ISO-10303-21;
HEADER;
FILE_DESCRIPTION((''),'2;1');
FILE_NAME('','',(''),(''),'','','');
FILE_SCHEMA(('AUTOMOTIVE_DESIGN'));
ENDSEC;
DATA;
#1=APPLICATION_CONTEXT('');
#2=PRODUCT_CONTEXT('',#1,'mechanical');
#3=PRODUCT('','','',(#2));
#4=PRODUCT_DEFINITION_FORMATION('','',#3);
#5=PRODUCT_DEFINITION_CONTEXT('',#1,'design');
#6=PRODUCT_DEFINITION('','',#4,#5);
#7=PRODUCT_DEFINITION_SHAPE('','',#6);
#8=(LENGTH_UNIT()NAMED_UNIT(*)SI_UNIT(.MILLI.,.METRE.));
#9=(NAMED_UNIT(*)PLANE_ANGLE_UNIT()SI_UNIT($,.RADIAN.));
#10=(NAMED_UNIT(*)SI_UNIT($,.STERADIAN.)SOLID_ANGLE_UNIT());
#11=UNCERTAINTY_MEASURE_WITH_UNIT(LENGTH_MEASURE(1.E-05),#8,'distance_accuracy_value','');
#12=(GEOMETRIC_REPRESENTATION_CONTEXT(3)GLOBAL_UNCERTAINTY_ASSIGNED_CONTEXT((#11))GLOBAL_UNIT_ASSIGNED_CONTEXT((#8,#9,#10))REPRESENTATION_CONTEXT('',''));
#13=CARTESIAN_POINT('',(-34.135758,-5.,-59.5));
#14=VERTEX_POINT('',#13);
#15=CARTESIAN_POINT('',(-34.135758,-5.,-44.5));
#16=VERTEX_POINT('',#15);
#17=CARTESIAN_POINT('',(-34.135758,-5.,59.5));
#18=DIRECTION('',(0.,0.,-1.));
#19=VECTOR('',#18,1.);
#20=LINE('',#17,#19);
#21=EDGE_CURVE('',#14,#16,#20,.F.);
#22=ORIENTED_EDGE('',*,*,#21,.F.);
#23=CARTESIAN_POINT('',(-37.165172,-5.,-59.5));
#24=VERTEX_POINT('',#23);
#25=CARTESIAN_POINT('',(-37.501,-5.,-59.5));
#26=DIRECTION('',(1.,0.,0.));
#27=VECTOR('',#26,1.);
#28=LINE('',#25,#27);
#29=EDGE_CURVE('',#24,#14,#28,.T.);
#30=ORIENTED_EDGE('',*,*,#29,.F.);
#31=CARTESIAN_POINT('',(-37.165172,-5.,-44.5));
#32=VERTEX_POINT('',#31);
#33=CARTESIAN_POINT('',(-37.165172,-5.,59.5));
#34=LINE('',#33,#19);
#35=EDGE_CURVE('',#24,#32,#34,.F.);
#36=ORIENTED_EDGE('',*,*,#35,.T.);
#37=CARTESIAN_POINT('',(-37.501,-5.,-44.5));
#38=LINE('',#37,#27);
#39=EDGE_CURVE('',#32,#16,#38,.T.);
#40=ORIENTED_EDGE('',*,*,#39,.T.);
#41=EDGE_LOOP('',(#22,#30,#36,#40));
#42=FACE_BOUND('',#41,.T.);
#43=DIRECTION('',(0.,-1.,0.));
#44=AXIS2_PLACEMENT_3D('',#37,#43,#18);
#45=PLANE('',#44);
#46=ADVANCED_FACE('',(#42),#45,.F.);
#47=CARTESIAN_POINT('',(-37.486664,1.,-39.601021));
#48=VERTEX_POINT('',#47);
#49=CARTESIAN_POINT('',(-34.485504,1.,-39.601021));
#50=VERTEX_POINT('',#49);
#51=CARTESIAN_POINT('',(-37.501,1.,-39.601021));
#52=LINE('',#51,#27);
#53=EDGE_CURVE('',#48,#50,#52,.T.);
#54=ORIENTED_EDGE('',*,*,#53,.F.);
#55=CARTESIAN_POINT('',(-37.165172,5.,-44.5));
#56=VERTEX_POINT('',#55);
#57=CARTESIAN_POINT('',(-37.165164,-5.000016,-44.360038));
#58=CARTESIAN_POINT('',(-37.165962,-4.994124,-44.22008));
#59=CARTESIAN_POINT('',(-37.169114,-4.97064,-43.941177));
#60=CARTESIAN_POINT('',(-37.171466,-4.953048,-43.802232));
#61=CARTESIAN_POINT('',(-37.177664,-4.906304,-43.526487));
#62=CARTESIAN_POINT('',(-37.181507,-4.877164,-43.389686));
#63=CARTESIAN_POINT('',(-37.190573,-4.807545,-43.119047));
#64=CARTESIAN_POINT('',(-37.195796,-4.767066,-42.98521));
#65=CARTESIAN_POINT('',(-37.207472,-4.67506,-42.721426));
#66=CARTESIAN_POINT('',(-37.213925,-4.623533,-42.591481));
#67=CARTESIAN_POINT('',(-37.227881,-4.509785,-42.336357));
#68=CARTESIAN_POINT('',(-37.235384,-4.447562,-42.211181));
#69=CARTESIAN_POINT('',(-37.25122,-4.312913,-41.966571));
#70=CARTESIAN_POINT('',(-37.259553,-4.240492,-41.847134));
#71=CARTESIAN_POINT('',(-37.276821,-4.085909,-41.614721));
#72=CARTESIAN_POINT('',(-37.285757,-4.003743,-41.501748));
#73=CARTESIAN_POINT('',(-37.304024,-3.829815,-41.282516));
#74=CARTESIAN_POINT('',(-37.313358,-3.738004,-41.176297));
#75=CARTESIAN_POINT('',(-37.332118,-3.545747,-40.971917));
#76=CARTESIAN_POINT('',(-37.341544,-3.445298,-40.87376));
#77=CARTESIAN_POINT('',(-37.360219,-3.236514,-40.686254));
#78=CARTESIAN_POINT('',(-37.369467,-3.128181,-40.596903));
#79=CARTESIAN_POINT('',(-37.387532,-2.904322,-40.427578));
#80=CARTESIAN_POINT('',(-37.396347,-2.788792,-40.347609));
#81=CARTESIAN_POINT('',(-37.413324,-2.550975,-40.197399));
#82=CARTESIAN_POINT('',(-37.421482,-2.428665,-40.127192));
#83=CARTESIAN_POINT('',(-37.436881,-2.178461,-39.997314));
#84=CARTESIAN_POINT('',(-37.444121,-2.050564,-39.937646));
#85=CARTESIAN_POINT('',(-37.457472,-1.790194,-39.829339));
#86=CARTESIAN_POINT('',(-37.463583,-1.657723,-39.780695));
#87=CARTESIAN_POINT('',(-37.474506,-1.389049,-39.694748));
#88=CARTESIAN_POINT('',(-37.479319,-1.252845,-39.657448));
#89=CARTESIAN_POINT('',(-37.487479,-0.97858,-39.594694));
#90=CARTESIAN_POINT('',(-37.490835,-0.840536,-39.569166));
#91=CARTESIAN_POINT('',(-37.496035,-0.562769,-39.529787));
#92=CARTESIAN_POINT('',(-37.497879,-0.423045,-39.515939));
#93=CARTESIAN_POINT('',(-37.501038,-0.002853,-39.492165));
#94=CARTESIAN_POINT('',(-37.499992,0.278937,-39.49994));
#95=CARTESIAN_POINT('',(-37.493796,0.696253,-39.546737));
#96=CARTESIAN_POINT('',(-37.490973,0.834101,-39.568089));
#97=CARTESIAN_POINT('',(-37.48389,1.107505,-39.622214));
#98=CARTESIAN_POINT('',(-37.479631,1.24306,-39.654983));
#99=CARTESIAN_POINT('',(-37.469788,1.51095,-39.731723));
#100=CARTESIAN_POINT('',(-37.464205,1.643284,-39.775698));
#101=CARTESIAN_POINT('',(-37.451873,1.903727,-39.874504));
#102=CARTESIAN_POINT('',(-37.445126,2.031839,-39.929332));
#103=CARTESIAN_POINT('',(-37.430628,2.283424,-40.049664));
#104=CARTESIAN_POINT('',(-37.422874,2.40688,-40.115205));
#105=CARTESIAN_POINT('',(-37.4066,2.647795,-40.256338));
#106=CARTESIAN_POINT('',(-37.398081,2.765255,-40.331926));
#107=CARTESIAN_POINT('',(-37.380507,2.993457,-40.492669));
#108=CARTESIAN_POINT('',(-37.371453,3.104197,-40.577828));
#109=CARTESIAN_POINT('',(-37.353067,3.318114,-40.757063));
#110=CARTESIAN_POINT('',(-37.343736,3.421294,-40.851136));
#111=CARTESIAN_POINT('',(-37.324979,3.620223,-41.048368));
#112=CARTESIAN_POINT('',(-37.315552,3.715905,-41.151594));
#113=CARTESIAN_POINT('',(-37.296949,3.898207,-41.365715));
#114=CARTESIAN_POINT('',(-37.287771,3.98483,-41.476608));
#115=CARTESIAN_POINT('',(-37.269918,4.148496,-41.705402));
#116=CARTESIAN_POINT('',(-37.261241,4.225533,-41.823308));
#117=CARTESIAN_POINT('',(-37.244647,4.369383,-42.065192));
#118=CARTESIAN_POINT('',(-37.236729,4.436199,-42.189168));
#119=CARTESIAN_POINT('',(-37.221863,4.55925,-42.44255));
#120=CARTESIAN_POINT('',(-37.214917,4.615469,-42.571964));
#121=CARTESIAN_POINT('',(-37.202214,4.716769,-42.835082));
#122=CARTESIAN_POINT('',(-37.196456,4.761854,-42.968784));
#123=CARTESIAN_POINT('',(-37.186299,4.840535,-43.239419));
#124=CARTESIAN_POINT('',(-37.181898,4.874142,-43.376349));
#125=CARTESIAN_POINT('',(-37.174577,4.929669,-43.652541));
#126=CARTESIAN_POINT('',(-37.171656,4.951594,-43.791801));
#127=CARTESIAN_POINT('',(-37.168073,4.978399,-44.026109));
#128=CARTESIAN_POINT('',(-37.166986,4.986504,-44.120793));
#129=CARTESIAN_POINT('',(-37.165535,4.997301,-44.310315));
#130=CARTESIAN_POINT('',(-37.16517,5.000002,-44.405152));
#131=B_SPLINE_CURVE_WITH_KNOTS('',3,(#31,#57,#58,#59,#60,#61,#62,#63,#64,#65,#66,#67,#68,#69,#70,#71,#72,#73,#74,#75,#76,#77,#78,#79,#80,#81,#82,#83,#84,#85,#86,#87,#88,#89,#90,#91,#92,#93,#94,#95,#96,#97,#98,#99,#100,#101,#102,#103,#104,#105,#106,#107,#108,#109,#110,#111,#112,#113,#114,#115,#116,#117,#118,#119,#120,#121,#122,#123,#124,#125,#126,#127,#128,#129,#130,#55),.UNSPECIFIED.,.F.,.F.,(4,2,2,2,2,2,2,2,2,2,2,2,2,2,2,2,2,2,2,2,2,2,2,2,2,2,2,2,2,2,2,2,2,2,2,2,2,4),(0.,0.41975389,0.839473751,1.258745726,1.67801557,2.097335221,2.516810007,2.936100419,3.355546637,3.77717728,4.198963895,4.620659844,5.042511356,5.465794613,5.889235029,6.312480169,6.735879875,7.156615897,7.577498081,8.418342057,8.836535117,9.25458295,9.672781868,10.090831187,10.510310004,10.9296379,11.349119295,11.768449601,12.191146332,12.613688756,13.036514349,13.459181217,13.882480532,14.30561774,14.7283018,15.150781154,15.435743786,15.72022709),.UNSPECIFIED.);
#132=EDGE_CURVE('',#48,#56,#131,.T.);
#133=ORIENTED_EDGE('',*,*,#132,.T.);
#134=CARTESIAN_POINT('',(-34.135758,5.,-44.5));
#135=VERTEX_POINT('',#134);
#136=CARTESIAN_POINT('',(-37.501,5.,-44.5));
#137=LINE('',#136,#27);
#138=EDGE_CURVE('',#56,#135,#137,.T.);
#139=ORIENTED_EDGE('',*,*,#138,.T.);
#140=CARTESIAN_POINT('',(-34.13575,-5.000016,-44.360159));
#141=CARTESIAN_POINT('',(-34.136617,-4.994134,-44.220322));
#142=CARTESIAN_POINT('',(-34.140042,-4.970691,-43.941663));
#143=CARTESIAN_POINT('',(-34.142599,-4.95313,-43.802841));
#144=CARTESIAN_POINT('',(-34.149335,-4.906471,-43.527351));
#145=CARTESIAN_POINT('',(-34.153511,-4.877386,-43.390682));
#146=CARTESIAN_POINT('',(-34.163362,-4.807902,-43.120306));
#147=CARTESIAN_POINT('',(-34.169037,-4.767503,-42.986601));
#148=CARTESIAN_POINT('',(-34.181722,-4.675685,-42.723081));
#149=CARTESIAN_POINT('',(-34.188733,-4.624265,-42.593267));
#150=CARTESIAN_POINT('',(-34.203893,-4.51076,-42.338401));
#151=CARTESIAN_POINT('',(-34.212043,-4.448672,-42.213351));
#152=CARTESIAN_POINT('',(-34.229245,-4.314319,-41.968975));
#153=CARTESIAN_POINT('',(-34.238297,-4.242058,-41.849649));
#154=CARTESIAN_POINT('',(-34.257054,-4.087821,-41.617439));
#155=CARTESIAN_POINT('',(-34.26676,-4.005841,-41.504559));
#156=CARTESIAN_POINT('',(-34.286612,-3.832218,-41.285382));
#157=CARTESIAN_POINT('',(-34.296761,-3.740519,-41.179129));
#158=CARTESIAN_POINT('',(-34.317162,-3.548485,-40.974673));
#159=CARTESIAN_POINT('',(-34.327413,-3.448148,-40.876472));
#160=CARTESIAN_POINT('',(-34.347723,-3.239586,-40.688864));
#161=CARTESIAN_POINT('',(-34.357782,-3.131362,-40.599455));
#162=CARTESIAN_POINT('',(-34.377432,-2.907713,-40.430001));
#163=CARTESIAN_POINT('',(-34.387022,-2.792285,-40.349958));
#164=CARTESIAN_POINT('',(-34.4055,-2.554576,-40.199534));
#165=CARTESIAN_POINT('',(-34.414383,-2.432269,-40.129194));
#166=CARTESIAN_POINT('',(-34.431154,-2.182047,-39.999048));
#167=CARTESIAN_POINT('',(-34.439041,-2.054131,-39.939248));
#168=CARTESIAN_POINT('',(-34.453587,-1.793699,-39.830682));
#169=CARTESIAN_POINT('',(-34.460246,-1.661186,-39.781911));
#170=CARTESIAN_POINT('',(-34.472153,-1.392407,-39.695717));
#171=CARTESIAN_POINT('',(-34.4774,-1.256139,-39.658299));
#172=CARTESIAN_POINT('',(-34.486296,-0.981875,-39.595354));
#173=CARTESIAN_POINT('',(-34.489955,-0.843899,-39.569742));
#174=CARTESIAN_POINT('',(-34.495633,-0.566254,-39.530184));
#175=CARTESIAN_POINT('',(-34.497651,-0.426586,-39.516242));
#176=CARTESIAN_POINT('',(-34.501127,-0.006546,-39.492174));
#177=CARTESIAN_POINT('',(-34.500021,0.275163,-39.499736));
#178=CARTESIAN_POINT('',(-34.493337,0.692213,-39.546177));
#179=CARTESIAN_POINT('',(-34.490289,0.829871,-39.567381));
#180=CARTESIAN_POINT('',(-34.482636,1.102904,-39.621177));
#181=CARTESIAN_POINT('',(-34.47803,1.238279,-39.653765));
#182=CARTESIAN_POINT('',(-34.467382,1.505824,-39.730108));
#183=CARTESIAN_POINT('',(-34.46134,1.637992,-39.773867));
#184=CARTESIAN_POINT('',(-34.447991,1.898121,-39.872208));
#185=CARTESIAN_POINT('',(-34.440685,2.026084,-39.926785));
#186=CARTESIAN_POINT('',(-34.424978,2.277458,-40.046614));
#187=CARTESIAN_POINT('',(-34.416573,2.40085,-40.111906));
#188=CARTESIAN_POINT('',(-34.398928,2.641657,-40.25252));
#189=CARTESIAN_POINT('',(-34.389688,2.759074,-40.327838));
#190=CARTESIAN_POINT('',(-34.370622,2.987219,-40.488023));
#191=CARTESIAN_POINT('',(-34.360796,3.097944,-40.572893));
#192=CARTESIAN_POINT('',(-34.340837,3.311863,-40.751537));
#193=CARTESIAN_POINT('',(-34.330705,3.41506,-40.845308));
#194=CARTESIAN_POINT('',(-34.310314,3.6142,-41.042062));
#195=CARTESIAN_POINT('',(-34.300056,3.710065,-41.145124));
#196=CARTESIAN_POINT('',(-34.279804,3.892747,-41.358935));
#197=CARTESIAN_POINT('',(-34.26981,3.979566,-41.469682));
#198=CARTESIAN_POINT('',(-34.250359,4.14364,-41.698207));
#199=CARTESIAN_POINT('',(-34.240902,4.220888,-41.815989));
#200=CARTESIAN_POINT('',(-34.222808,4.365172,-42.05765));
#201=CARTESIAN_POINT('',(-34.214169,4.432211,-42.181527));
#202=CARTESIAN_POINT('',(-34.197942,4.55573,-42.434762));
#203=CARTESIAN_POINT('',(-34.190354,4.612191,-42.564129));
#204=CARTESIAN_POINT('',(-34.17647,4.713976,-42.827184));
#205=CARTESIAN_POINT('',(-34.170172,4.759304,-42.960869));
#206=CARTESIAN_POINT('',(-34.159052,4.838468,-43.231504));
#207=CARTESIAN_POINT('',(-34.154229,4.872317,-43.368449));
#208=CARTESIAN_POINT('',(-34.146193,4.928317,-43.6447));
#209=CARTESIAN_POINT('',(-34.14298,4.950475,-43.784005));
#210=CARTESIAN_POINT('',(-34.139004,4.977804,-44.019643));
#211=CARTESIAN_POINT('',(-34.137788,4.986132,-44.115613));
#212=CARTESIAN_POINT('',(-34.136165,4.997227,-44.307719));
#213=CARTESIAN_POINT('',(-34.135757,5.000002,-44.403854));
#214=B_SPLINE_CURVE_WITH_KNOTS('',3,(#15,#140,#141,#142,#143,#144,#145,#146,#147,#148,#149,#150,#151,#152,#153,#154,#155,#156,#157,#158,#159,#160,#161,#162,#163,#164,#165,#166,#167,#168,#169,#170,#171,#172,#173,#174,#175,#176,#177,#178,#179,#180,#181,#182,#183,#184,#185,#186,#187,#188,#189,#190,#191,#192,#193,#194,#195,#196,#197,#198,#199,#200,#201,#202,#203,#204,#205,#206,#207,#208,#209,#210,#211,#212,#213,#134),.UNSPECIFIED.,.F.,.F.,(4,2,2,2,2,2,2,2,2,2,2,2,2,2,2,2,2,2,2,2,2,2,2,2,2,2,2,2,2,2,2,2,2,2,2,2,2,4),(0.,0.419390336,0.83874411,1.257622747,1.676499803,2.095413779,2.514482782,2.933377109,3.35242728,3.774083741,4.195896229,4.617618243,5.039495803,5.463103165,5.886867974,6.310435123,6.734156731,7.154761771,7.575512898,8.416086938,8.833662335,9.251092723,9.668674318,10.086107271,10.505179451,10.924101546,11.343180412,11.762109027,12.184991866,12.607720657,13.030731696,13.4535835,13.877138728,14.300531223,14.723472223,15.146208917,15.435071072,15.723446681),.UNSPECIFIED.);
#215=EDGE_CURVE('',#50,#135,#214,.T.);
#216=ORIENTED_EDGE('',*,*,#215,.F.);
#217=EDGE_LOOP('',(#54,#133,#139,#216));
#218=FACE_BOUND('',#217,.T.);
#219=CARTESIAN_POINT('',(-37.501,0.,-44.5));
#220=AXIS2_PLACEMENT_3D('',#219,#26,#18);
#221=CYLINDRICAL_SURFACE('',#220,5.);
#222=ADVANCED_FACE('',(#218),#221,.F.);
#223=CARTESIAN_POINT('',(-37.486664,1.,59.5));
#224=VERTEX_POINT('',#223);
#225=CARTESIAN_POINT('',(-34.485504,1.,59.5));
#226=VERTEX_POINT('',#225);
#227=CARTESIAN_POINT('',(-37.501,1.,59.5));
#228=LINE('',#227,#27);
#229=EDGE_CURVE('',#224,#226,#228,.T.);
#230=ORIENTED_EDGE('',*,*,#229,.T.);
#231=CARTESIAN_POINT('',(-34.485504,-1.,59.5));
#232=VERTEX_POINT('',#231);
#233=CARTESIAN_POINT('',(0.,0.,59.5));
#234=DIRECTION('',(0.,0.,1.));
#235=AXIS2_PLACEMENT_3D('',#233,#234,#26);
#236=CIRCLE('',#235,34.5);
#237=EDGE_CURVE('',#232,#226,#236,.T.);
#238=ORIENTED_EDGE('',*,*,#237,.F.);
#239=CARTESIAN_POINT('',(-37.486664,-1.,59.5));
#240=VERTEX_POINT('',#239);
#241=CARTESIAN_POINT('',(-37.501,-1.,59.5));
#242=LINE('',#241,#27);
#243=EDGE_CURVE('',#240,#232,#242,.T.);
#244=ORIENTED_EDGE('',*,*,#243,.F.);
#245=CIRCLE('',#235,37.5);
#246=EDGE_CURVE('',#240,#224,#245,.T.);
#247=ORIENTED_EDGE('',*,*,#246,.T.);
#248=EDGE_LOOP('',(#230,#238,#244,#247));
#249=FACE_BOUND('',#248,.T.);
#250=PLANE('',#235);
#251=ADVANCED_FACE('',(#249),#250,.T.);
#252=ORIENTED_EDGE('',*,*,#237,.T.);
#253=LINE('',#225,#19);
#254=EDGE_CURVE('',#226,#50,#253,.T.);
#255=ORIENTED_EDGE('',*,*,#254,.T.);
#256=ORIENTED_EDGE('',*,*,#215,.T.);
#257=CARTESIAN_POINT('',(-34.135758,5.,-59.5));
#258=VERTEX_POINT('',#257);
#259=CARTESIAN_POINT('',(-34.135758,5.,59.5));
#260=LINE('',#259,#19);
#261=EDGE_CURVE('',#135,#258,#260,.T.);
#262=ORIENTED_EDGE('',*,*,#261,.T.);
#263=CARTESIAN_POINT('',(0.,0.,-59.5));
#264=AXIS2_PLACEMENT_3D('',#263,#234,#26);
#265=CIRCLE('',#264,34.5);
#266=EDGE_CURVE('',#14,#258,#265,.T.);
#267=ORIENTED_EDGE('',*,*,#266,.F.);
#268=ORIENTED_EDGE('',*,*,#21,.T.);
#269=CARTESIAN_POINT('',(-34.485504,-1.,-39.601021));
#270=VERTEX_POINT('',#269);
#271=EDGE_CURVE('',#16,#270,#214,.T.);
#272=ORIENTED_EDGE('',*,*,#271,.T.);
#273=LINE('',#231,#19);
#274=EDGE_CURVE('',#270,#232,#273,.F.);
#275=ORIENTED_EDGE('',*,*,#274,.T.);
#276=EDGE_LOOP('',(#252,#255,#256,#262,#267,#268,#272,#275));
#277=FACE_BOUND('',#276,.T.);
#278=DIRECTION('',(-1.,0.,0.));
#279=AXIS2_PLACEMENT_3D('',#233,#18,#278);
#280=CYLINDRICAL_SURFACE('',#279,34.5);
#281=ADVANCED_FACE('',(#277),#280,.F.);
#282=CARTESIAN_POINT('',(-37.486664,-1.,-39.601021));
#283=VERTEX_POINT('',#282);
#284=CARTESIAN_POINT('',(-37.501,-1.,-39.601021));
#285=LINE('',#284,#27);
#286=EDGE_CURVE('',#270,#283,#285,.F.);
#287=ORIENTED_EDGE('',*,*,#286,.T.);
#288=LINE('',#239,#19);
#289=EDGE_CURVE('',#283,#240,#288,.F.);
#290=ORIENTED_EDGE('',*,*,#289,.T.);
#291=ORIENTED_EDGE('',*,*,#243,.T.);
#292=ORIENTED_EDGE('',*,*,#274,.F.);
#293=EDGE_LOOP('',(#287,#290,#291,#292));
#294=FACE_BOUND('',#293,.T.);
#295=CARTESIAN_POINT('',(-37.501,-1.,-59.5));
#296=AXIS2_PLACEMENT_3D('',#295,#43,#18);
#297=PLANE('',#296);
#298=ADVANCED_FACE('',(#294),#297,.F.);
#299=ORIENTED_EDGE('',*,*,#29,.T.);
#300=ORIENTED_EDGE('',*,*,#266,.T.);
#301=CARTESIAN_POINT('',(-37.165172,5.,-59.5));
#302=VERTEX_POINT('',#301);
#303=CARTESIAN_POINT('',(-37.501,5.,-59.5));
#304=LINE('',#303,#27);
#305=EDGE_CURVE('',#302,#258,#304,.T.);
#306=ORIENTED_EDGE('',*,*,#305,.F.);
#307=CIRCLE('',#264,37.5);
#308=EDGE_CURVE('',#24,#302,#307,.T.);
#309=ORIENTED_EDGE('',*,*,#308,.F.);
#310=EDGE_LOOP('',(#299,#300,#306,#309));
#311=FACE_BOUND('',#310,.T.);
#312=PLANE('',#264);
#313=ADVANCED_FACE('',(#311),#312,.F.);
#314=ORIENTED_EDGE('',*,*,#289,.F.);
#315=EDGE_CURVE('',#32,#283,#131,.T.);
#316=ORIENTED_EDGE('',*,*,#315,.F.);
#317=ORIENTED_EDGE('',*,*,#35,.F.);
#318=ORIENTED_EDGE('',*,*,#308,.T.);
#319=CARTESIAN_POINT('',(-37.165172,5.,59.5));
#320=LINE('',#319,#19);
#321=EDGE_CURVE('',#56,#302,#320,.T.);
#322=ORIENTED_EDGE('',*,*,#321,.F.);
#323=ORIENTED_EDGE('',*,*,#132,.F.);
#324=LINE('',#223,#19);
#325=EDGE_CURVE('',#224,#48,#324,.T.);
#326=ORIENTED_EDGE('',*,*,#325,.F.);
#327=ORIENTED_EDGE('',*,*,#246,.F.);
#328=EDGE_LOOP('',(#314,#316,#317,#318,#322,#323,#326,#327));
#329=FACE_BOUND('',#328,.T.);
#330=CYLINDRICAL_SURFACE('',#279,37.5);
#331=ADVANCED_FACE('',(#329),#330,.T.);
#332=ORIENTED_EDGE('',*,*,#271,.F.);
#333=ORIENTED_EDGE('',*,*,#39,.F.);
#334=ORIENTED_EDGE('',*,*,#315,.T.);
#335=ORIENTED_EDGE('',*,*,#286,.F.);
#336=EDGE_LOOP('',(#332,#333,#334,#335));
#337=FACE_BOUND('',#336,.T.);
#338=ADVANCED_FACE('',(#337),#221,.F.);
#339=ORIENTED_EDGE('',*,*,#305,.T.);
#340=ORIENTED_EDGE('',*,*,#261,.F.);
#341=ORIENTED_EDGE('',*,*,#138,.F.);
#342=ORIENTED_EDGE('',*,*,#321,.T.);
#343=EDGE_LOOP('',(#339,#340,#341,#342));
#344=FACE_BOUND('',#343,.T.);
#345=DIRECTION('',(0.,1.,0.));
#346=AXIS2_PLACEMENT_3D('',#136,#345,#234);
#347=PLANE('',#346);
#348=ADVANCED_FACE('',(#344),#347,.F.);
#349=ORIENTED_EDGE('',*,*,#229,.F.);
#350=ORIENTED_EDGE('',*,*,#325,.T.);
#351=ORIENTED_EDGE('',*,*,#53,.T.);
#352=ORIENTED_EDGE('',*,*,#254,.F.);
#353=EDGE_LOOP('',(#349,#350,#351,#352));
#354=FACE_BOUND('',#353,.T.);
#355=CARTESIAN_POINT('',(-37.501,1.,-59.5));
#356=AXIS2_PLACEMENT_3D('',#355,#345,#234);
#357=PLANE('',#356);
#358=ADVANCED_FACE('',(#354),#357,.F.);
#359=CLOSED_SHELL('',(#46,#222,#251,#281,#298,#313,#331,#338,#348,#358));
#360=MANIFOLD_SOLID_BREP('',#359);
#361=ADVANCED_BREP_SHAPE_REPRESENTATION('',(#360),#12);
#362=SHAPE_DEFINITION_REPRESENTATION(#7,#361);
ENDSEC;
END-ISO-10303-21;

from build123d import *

# Parameters (mm, degrees)
SKETCH_2_R               = 37.5
SKETCH_2_R_2             = 34.5
EXTRUDE_1_DEPTH          = 59.5
CUT_EXTRUDE_1_REACH      = 81.704
CUT_EXTRUDE_1_END_RADIUS = 37.5
CUT_EXTRUDE_2_REACH      = 81.704
CUT_EXTRUDE_2_END_RADIUS = 37.5
SKETCH_4_W               = 119
SKETCH_4_H               = 2


with BuildPart() as part:
    # 草图2 → 凸台-拉伸1 (new, symmetric)
    with BuildSketch(Plane.XY):
        Circle(SKETCH_2_R)
        Circle(SKETCH_2_R_2, mode=Mode.SUBTRACT)
    extrude(amount=EXTRUDE_1_DEPTH, both=True)

    # 切除-拉伸1: up to this cylinder (the profile starts inside it)
    cut_extrude_1_end = Plane(origin=(0, 0, -50.003604), z_dir=(0, 0, -1)) * Cylinder(CUT_EXTRUDE_1_END_RADIUS, 239.408, mode=Mode.PRIVATE)
    # 草图3 → 切除-拉伸1 (cut, up to the surface)
    with BuildSketch(Plane(origin=(0, 0, 0), x_dir=(0, 0, -1), z_dir=(1, 0, 0)), mode=Mode.PRIVATE) as cut_extrude_1_sk1:
        with BuildLine():
            Line((44.5, -5), (59.5, -5))
            Line((59.5, -5), (59.5, 5))
            Line((59.5, 5), (44.5, 5))
            ThreePointArc((44.5, 5), (39.5, 0), (44.5, -5))
        make_face()
    cut_extrude_1_tool1 = extrude(cut_extrude_1_sk1.sketch, amount=-CUT_EXTRUDE_1_REACH, mode=Mode.PRIVATE) & cut_extrude_1_end
    add(cut_extrude_1_tool1.solids().sort_by_distance((0, 0, -50.003604))[0], mode=Mode.SUBTRACT)

    # 切除-拉伸2: up to this cylinder (the profile starts inside it)
    cut_extrude_2_end = Plane(origin=(0, 0, 0), z_dir=(0, 0, -1)) * Cylinder(CUT_EXTRUDE_2_END_RADIUS, 239.408, mode=Mode.PRIVATE)
    # 草图4 → 切除-拉伸2 (cut, up to the surface)
    with BuildSketch(Plane(origin=(0, 0, 0), x_dir=(0, 0, -1), z_dir=(1, 0, 0)), mode=Mode.PRIVATE) as cut_extrude_2_sk1:
        Rectangle(SKETCH_4_W, SKETCH_4_H)
    cut_extrude_2_tool1 = extrude(cut_extrude_2_sk1.sketch, amount=-CUT_EXTRUDE_2_REACH, mode=Mode.PRIVATE) & cut_extrude_2_end
    add(cut_extrude_2_tool1.solids().sort_by_distance((0, 0, 0))[0], mode=Mode.SUBTRACT)


solid = part.part
